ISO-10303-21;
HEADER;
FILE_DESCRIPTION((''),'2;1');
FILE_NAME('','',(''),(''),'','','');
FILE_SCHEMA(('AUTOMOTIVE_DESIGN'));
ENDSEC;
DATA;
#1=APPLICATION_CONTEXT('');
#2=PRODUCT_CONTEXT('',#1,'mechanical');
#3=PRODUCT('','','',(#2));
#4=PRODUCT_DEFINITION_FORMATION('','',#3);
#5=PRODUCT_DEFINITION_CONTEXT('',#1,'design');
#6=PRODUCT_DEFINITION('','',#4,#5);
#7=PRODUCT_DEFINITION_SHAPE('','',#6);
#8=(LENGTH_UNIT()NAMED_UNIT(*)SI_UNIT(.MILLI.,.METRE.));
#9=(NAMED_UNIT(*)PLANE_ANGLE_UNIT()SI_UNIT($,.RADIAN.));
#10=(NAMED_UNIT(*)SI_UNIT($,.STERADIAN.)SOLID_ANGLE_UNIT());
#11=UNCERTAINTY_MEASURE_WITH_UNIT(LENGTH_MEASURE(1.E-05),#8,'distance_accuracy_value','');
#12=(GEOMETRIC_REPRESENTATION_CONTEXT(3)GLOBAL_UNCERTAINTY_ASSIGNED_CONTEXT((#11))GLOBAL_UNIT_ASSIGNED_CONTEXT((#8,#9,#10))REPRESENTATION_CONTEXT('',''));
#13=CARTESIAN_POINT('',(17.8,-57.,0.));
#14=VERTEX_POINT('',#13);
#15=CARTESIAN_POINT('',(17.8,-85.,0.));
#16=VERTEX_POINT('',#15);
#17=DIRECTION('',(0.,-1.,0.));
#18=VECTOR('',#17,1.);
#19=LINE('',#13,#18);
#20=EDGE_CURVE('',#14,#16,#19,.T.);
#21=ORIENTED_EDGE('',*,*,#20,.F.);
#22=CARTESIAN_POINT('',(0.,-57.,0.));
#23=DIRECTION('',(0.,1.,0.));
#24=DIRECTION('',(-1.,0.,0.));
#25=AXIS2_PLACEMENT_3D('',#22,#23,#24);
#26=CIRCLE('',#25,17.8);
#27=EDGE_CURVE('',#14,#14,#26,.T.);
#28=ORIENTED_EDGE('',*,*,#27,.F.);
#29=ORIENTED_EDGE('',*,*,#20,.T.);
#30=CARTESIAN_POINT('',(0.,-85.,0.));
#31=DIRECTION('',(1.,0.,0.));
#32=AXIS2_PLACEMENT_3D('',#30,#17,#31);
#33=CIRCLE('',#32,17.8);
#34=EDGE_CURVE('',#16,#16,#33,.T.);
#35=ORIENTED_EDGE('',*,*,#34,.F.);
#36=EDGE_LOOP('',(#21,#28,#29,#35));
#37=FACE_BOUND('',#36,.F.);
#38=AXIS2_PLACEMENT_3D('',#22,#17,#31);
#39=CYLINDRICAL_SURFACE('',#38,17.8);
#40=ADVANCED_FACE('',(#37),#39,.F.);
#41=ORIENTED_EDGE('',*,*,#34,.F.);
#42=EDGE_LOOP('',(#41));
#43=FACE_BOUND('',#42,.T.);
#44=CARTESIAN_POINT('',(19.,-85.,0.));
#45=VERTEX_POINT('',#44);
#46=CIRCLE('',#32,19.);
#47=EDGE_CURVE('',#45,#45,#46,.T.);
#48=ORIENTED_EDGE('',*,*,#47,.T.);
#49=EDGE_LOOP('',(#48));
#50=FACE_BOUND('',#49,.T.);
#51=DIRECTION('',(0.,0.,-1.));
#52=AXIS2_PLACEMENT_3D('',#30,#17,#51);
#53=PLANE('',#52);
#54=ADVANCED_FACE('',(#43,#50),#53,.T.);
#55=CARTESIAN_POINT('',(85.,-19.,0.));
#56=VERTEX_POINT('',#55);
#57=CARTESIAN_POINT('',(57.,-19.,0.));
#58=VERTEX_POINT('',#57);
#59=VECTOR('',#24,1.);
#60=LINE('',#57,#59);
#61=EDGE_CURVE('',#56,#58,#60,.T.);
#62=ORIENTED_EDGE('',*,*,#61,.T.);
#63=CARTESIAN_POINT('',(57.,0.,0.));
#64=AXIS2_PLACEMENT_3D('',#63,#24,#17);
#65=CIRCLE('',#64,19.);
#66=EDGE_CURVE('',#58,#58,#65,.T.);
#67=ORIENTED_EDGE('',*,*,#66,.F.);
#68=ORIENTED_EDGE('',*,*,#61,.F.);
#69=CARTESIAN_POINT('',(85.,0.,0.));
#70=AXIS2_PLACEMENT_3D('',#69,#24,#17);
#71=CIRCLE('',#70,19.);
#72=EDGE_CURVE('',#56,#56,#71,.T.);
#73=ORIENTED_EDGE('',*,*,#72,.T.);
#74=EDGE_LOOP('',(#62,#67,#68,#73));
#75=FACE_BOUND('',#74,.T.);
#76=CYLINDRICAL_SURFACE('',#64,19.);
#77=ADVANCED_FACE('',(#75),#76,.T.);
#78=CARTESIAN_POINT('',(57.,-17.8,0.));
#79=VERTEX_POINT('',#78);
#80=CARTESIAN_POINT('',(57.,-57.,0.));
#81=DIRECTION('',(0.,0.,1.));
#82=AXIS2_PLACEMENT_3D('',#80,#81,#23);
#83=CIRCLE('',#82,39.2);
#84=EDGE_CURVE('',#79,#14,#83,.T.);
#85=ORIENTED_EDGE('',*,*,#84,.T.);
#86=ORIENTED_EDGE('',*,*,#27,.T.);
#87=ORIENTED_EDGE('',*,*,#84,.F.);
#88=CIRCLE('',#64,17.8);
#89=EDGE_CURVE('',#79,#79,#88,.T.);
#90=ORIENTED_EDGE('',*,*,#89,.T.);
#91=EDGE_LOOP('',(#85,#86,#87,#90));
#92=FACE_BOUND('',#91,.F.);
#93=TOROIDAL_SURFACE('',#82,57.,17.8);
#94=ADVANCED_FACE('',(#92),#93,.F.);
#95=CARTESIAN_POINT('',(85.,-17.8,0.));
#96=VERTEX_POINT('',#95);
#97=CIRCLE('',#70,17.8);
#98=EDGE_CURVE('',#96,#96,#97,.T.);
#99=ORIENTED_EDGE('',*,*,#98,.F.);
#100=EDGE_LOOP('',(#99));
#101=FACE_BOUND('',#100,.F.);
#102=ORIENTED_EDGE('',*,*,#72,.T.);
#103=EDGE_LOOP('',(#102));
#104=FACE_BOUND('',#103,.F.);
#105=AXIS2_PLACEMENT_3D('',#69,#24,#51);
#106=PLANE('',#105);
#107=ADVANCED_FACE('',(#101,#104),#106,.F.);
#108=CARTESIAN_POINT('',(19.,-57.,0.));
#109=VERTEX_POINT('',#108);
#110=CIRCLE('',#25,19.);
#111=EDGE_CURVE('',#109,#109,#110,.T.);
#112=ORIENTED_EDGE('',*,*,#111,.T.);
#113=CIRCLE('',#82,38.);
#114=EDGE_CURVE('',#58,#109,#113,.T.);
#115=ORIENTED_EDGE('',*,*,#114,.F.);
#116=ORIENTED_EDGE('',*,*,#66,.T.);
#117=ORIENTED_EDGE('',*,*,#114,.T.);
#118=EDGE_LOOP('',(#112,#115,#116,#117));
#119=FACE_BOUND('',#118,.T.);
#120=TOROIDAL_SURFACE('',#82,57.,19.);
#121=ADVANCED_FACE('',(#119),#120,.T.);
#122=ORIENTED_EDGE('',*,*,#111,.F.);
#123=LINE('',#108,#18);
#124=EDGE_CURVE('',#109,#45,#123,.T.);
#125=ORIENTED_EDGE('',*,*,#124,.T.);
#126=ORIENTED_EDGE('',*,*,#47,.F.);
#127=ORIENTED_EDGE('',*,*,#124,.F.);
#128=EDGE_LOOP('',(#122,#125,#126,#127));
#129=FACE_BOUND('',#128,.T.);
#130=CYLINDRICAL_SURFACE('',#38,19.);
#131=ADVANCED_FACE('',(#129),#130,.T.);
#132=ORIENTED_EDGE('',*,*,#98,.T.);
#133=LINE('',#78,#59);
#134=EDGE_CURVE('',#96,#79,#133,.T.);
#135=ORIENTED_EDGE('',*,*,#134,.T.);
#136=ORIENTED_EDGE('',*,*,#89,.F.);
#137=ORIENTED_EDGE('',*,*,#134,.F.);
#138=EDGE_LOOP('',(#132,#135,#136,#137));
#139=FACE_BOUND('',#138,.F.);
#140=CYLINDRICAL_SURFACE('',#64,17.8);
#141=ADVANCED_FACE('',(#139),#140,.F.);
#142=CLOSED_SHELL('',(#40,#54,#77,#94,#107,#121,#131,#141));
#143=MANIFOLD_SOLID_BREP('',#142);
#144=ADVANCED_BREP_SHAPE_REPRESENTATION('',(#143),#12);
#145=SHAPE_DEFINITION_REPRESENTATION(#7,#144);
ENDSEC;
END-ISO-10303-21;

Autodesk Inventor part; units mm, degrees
ref_plane "YZ Plane" through (0, 0, 0) normal (1, 0, 0) x (0, 1, 0)
ref_plane "XZ Plane" through (0, 0, 0) normal (0, 1, 0) x (-1, 0, 0)
sketch "Szkic6" plane through (0, 0, 0) normal (0, 0, 1) x (1, 0, 0)
  line L0 (-29.6067, 0) -> (35.2678, 0) construction
  line L1 (0, 42.3419) -> (0, -58.3726) construction
  arc A0 (57, 0) -> (0, -57) centre (57, -57) ccw
  line L2 (0, -57) -> (57, -57) construction
  line L3 (57, -57) -> (57, 8.5331) construction
  line L4 (57, 0) -> (85, 0)
  line L5 (0, -57) -> (0, -85)
  point P0 (0, 0)
  dimension "d24" = 57
  dimension "d31" = 90
  dimension "d36" = 28
  dimension "d37" = 28
ref_plane "Płaszczyzna konstrukcyjna2" through (0, -57, 0) normal (0, -1, 0) x (1, 0, 0)
sketch "Szkic8" plane through (0, -57, 0) normal (0, -1, 0) x (1, 0, 0)
  circle A0 centre (0, 0) radius 19
  circle A1 centre (0, 0) radius 17.8
  dimension "d32" = 38
  dimension "d33" = 1.2
sweep "Przeciągnięcie2" add profiles "Szkic8" path "Szkic6"
equation "\"d32\" = OD"
equation "\"d33\" = THK"
equation "\"d24\" = R"
equation "\"d31\" = KAT"
equation "\"d36\" = PROSTKA"
equation "\"d37\" = PROSTKA"
equation "\"SzerokośćGięciaPodcięcia\" = Grubość"
equation "\"RozmiarPodcięciaNarożnika\" = 4 * Grubość"
equation "\"PromieńPrzejścia\" = PromieńGięcia"
equation "\"Rozmiar_promienia_Jacobiego\" = PromieńGięcia"
equation "\"Wielk_odstępu\" = Grubość"
equation "\"d2\" = PromieńGięcia"
equation "\"d23\" = PromieńGięcia"
equation "\"R\" = 57"
equation "\"OD\" = 38"
equation "\"THK\" = 1.2"
equation "\"KAT\" = 90deg"
equation "\"PROSTKA\" = 28"
equation "\"Grubość\" = 1.5"
equation "\"PromieńGięcia\" = 3"
properties part number "Kolano 90° ø38x1,2 R57" material "304L"
